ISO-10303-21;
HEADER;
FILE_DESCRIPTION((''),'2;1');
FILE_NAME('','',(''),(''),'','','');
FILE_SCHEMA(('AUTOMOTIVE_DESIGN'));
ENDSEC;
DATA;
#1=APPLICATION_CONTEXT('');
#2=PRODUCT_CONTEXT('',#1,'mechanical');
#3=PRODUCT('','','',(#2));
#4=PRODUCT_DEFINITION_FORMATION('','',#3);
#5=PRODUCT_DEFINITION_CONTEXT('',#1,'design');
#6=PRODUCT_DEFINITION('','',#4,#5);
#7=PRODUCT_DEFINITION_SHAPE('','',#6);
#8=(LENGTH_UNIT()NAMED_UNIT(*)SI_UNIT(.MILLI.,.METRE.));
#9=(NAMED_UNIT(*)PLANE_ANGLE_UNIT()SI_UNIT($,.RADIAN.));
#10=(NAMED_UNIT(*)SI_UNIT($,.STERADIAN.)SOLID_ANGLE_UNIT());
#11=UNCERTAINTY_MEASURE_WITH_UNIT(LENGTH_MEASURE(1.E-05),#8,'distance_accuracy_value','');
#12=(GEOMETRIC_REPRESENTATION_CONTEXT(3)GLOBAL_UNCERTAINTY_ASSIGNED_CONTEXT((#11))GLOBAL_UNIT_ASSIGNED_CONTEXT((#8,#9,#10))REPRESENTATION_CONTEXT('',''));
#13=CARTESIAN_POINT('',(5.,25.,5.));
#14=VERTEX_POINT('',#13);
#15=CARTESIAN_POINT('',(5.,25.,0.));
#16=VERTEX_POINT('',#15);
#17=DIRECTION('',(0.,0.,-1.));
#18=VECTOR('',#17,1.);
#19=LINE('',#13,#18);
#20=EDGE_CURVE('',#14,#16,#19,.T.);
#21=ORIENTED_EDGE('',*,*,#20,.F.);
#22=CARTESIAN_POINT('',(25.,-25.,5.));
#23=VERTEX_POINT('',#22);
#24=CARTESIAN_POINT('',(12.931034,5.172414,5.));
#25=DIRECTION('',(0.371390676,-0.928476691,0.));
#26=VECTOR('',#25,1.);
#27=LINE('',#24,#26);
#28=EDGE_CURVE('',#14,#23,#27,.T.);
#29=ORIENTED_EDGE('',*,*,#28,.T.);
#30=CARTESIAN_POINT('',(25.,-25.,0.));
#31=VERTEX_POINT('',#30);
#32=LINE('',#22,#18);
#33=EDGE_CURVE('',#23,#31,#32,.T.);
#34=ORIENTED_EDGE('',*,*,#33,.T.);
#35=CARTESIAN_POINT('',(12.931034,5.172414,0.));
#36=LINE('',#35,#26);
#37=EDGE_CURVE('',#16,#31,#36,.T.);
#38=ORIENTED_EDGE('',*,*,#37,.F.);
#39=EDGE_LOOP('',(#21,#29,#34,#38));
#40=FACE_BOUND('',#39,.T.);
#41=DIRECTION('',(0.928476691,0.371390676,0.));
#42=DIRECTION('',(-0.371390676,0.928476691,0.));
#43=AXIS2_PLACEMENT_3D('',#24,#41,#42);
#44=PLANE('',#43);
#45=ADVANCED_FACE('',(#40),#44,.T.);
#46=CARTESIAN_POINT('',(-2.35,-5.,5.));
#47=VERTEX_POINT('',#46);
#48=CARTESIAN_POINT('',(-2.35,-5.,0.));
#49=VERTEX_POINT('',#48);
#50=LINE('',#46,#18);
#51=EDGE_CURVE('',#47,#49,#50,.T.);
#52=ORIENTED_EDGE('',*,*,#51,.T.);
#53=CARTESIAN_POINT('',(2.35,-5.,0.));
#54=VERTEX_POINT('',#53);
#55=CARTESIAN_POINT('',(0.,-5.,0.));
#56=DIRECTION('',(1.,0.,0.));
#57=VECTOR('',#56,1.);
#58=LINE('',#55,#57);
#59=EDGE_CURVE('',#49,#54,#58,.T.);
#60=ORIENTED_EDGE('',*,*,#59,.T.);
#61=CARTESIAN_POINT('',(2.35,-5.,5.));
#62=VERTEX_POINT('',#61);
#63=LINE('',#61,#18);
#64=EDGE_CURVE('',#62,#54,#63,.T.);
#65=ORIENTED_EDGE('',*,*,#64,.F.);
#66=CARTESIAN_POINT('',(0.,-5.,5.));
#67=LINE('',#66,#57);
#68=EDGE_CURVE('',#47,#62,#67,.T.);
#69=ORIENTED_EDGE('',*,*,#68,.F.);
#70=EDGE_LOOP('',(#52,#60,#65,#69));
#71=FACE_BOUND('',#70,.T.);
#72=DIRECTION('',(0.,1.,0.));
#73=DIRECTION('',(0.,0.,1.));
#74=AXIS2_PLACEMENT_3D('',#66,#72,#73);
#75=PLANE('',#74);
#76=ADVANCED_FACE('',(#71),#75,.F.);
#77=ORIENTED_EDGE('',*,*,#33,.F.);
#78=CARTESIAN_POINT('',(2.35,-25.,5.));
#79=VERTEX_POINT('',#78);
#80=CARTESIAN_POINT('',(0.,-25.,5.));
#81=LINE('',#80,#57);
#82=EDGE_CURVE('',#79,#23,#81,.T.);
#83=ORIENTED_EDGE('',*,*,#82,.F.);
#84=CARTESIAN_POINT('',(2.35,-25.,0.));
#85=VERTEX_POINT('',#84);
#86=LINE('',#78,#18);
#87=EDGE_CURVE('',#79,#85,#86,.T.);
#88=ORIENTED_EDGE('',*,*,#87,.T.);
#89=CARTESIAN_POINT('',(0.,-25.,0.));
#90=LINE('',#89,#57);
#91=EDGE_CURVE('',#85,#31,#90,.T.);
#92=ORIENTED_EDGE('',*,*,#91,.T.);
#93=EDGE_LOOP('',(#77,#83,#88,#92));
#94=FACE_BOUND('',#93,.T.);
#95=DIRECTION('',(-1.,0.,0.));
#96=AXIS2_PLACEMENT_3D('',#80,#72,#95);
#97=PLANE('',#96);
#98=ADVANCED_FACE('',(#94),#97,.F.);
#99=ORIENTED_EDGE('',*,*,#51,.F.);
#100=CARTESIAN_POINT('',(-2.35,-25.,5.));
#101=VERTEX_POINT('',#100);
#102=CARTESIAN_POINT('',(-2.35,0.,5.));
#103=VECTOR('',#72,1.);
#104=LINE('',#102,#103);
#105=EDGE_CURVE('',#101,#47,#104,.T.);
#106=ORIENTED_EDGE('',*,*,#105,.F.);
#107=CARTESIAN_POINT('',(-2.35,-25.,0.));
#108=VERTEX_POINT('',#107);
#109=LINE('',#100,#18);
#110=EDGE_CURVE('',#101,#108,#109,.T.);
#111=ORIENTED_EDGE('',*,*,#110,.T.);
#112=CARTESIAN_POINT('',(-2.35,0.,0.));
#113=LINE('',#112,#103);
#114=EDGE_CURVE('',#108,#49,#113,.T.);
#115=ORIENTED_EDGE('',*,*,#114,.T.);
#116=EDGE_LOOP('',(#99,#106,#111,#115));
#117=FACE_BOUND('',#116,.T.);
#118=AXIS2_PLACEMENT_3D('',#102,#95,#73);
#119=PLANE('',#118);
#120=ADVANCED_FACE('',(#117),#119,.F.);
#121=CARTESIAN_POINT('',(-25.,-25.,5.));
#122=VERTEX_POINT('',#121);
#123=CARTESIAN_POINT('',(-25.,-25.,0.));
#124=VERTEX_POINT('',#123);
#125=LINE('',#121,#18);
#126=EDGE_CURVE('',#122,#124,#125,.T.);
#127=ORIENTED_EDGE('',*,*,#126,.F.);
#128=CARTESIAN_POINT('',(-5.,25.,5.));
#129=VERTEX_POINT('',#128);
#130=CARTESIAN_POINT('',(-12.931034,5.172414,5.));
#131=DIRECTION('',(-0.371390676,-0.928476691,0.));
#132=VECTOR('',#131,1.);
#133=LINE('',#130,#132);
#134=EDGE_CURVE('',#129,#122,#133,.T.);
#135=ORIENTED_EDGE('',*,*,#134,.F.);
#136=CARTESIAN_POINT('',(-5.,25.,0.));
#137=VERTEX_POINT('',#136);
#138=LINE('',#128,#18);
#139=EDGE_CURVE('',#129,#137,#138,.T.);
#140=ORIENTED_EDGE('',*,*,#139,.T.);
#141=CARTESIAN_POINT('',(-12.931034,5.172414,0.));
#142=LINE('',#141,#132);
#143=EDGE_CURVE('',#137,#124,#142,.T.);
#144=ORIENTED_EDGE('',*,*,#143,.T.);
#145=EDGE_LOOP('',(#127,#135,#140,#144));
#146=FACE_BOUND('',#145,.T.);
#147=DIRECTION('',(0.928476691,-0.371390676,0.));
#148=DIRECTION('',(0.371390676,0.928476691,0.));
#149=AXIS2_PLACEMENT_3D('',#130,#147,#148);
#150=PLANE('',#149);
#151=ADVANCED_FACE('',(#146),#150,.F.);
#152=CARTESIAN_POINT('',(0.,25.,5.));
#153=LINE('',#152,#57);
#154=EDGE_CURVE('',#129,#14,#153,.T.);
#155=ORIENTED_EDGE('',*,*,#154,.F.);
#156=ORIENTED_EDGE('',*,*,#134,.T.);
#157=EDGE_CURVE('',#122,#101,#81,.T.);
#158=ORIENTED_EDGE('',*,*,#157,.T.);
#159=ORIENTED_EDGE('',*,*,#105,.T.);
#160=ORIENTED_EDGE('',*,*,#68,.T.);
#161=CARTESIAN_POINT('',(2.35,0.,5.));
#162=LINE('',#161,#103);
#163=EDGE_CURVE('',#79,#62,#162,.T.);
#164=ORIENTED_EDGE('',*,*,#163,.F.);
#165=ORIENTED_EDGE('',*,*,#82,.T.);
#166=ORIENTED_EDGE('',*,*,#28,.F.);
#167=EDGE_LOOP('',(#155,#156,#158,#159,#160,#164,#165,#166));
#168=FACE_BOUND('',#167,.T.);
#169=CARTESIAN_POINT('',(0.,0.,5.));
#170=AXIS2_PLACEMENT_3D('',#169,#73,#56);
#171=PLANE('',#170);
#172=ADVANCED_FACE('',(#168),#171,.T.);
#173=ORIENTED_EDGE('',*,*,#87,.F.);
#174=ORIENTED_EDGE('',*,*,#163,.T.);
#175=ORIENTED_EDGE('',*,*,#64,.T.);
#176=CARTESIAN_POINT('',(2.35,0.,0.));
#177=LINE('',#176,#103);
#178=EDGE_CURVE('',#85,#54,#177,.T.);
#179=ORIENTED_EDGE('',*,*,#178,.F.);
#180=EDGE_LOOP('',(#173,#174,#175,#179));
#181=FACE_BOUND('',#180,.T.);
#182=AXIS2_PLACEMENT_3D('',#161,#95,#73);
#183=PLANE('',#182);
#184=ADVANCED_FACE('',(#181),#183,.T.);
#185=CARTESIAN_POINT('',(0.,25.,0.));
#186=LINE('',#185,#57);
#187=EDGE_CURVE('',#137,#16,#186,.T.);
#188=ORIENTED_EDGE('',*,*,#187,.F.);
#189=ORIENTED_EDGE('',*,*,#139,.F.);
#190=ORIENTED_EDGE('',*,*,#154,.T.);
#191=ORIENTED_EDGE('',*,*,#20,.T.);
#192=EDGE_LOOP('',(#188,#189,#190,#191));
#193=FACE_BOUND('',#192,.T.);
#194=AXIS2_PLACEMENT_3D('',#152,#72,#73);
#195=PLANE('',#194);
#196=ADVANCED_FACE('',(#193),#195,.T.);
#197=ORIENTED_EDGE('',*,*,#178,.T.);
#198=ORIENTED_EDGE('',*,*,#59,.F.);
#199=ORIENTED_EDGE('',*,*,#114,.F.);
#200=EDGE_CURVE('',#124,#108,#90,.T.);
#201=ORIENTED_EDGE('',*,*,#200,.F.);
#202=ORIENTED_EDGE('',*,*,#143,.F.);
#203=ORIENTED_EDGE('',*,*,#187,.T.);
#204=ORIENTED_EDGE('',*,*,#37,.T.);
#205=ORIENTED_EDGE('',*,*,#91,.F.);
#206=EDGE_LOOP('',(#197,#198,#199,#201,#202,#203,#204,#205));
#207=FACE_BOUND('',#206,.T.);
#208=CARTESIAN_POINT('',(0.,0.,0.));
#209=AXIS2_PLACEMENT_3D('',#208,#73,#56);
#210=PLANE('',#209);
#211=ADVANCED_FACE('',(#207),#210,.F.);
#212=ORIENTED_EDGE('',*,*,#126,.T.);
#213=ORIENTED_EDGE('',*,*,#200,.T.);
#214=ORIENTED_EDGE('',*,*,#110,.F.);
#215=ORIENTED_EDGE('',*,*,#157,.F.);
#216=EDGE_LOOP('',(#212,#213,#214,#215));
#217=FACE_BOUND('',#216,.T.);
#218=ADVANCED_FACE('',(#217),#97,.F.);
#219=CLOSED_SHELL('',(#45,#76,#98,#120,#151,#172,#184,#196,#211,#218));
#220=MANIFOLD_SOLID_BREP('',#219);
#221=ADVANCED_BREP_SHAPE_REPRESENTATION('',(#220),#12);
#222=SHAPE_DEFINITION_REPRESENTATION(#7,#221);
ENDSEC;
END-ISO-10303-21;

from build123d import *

# Parameters (mm, degrees)
EXTRUDE_1_DEPTH = 5


with BuildPart() as part:
    # 스케치1 → 보스-돌출1 (new body)
    with BuildSketch(Plane.XY):
        Polygon((5, 25), (-5, 25), (-25, -25), (-2.35, -25), (-2.35, -5), (2.35, -5), (2.35, -25), (25, -25), align=None)
    extrude(amount=EXTRUDE_1_DEPTH)


solid = part.part
